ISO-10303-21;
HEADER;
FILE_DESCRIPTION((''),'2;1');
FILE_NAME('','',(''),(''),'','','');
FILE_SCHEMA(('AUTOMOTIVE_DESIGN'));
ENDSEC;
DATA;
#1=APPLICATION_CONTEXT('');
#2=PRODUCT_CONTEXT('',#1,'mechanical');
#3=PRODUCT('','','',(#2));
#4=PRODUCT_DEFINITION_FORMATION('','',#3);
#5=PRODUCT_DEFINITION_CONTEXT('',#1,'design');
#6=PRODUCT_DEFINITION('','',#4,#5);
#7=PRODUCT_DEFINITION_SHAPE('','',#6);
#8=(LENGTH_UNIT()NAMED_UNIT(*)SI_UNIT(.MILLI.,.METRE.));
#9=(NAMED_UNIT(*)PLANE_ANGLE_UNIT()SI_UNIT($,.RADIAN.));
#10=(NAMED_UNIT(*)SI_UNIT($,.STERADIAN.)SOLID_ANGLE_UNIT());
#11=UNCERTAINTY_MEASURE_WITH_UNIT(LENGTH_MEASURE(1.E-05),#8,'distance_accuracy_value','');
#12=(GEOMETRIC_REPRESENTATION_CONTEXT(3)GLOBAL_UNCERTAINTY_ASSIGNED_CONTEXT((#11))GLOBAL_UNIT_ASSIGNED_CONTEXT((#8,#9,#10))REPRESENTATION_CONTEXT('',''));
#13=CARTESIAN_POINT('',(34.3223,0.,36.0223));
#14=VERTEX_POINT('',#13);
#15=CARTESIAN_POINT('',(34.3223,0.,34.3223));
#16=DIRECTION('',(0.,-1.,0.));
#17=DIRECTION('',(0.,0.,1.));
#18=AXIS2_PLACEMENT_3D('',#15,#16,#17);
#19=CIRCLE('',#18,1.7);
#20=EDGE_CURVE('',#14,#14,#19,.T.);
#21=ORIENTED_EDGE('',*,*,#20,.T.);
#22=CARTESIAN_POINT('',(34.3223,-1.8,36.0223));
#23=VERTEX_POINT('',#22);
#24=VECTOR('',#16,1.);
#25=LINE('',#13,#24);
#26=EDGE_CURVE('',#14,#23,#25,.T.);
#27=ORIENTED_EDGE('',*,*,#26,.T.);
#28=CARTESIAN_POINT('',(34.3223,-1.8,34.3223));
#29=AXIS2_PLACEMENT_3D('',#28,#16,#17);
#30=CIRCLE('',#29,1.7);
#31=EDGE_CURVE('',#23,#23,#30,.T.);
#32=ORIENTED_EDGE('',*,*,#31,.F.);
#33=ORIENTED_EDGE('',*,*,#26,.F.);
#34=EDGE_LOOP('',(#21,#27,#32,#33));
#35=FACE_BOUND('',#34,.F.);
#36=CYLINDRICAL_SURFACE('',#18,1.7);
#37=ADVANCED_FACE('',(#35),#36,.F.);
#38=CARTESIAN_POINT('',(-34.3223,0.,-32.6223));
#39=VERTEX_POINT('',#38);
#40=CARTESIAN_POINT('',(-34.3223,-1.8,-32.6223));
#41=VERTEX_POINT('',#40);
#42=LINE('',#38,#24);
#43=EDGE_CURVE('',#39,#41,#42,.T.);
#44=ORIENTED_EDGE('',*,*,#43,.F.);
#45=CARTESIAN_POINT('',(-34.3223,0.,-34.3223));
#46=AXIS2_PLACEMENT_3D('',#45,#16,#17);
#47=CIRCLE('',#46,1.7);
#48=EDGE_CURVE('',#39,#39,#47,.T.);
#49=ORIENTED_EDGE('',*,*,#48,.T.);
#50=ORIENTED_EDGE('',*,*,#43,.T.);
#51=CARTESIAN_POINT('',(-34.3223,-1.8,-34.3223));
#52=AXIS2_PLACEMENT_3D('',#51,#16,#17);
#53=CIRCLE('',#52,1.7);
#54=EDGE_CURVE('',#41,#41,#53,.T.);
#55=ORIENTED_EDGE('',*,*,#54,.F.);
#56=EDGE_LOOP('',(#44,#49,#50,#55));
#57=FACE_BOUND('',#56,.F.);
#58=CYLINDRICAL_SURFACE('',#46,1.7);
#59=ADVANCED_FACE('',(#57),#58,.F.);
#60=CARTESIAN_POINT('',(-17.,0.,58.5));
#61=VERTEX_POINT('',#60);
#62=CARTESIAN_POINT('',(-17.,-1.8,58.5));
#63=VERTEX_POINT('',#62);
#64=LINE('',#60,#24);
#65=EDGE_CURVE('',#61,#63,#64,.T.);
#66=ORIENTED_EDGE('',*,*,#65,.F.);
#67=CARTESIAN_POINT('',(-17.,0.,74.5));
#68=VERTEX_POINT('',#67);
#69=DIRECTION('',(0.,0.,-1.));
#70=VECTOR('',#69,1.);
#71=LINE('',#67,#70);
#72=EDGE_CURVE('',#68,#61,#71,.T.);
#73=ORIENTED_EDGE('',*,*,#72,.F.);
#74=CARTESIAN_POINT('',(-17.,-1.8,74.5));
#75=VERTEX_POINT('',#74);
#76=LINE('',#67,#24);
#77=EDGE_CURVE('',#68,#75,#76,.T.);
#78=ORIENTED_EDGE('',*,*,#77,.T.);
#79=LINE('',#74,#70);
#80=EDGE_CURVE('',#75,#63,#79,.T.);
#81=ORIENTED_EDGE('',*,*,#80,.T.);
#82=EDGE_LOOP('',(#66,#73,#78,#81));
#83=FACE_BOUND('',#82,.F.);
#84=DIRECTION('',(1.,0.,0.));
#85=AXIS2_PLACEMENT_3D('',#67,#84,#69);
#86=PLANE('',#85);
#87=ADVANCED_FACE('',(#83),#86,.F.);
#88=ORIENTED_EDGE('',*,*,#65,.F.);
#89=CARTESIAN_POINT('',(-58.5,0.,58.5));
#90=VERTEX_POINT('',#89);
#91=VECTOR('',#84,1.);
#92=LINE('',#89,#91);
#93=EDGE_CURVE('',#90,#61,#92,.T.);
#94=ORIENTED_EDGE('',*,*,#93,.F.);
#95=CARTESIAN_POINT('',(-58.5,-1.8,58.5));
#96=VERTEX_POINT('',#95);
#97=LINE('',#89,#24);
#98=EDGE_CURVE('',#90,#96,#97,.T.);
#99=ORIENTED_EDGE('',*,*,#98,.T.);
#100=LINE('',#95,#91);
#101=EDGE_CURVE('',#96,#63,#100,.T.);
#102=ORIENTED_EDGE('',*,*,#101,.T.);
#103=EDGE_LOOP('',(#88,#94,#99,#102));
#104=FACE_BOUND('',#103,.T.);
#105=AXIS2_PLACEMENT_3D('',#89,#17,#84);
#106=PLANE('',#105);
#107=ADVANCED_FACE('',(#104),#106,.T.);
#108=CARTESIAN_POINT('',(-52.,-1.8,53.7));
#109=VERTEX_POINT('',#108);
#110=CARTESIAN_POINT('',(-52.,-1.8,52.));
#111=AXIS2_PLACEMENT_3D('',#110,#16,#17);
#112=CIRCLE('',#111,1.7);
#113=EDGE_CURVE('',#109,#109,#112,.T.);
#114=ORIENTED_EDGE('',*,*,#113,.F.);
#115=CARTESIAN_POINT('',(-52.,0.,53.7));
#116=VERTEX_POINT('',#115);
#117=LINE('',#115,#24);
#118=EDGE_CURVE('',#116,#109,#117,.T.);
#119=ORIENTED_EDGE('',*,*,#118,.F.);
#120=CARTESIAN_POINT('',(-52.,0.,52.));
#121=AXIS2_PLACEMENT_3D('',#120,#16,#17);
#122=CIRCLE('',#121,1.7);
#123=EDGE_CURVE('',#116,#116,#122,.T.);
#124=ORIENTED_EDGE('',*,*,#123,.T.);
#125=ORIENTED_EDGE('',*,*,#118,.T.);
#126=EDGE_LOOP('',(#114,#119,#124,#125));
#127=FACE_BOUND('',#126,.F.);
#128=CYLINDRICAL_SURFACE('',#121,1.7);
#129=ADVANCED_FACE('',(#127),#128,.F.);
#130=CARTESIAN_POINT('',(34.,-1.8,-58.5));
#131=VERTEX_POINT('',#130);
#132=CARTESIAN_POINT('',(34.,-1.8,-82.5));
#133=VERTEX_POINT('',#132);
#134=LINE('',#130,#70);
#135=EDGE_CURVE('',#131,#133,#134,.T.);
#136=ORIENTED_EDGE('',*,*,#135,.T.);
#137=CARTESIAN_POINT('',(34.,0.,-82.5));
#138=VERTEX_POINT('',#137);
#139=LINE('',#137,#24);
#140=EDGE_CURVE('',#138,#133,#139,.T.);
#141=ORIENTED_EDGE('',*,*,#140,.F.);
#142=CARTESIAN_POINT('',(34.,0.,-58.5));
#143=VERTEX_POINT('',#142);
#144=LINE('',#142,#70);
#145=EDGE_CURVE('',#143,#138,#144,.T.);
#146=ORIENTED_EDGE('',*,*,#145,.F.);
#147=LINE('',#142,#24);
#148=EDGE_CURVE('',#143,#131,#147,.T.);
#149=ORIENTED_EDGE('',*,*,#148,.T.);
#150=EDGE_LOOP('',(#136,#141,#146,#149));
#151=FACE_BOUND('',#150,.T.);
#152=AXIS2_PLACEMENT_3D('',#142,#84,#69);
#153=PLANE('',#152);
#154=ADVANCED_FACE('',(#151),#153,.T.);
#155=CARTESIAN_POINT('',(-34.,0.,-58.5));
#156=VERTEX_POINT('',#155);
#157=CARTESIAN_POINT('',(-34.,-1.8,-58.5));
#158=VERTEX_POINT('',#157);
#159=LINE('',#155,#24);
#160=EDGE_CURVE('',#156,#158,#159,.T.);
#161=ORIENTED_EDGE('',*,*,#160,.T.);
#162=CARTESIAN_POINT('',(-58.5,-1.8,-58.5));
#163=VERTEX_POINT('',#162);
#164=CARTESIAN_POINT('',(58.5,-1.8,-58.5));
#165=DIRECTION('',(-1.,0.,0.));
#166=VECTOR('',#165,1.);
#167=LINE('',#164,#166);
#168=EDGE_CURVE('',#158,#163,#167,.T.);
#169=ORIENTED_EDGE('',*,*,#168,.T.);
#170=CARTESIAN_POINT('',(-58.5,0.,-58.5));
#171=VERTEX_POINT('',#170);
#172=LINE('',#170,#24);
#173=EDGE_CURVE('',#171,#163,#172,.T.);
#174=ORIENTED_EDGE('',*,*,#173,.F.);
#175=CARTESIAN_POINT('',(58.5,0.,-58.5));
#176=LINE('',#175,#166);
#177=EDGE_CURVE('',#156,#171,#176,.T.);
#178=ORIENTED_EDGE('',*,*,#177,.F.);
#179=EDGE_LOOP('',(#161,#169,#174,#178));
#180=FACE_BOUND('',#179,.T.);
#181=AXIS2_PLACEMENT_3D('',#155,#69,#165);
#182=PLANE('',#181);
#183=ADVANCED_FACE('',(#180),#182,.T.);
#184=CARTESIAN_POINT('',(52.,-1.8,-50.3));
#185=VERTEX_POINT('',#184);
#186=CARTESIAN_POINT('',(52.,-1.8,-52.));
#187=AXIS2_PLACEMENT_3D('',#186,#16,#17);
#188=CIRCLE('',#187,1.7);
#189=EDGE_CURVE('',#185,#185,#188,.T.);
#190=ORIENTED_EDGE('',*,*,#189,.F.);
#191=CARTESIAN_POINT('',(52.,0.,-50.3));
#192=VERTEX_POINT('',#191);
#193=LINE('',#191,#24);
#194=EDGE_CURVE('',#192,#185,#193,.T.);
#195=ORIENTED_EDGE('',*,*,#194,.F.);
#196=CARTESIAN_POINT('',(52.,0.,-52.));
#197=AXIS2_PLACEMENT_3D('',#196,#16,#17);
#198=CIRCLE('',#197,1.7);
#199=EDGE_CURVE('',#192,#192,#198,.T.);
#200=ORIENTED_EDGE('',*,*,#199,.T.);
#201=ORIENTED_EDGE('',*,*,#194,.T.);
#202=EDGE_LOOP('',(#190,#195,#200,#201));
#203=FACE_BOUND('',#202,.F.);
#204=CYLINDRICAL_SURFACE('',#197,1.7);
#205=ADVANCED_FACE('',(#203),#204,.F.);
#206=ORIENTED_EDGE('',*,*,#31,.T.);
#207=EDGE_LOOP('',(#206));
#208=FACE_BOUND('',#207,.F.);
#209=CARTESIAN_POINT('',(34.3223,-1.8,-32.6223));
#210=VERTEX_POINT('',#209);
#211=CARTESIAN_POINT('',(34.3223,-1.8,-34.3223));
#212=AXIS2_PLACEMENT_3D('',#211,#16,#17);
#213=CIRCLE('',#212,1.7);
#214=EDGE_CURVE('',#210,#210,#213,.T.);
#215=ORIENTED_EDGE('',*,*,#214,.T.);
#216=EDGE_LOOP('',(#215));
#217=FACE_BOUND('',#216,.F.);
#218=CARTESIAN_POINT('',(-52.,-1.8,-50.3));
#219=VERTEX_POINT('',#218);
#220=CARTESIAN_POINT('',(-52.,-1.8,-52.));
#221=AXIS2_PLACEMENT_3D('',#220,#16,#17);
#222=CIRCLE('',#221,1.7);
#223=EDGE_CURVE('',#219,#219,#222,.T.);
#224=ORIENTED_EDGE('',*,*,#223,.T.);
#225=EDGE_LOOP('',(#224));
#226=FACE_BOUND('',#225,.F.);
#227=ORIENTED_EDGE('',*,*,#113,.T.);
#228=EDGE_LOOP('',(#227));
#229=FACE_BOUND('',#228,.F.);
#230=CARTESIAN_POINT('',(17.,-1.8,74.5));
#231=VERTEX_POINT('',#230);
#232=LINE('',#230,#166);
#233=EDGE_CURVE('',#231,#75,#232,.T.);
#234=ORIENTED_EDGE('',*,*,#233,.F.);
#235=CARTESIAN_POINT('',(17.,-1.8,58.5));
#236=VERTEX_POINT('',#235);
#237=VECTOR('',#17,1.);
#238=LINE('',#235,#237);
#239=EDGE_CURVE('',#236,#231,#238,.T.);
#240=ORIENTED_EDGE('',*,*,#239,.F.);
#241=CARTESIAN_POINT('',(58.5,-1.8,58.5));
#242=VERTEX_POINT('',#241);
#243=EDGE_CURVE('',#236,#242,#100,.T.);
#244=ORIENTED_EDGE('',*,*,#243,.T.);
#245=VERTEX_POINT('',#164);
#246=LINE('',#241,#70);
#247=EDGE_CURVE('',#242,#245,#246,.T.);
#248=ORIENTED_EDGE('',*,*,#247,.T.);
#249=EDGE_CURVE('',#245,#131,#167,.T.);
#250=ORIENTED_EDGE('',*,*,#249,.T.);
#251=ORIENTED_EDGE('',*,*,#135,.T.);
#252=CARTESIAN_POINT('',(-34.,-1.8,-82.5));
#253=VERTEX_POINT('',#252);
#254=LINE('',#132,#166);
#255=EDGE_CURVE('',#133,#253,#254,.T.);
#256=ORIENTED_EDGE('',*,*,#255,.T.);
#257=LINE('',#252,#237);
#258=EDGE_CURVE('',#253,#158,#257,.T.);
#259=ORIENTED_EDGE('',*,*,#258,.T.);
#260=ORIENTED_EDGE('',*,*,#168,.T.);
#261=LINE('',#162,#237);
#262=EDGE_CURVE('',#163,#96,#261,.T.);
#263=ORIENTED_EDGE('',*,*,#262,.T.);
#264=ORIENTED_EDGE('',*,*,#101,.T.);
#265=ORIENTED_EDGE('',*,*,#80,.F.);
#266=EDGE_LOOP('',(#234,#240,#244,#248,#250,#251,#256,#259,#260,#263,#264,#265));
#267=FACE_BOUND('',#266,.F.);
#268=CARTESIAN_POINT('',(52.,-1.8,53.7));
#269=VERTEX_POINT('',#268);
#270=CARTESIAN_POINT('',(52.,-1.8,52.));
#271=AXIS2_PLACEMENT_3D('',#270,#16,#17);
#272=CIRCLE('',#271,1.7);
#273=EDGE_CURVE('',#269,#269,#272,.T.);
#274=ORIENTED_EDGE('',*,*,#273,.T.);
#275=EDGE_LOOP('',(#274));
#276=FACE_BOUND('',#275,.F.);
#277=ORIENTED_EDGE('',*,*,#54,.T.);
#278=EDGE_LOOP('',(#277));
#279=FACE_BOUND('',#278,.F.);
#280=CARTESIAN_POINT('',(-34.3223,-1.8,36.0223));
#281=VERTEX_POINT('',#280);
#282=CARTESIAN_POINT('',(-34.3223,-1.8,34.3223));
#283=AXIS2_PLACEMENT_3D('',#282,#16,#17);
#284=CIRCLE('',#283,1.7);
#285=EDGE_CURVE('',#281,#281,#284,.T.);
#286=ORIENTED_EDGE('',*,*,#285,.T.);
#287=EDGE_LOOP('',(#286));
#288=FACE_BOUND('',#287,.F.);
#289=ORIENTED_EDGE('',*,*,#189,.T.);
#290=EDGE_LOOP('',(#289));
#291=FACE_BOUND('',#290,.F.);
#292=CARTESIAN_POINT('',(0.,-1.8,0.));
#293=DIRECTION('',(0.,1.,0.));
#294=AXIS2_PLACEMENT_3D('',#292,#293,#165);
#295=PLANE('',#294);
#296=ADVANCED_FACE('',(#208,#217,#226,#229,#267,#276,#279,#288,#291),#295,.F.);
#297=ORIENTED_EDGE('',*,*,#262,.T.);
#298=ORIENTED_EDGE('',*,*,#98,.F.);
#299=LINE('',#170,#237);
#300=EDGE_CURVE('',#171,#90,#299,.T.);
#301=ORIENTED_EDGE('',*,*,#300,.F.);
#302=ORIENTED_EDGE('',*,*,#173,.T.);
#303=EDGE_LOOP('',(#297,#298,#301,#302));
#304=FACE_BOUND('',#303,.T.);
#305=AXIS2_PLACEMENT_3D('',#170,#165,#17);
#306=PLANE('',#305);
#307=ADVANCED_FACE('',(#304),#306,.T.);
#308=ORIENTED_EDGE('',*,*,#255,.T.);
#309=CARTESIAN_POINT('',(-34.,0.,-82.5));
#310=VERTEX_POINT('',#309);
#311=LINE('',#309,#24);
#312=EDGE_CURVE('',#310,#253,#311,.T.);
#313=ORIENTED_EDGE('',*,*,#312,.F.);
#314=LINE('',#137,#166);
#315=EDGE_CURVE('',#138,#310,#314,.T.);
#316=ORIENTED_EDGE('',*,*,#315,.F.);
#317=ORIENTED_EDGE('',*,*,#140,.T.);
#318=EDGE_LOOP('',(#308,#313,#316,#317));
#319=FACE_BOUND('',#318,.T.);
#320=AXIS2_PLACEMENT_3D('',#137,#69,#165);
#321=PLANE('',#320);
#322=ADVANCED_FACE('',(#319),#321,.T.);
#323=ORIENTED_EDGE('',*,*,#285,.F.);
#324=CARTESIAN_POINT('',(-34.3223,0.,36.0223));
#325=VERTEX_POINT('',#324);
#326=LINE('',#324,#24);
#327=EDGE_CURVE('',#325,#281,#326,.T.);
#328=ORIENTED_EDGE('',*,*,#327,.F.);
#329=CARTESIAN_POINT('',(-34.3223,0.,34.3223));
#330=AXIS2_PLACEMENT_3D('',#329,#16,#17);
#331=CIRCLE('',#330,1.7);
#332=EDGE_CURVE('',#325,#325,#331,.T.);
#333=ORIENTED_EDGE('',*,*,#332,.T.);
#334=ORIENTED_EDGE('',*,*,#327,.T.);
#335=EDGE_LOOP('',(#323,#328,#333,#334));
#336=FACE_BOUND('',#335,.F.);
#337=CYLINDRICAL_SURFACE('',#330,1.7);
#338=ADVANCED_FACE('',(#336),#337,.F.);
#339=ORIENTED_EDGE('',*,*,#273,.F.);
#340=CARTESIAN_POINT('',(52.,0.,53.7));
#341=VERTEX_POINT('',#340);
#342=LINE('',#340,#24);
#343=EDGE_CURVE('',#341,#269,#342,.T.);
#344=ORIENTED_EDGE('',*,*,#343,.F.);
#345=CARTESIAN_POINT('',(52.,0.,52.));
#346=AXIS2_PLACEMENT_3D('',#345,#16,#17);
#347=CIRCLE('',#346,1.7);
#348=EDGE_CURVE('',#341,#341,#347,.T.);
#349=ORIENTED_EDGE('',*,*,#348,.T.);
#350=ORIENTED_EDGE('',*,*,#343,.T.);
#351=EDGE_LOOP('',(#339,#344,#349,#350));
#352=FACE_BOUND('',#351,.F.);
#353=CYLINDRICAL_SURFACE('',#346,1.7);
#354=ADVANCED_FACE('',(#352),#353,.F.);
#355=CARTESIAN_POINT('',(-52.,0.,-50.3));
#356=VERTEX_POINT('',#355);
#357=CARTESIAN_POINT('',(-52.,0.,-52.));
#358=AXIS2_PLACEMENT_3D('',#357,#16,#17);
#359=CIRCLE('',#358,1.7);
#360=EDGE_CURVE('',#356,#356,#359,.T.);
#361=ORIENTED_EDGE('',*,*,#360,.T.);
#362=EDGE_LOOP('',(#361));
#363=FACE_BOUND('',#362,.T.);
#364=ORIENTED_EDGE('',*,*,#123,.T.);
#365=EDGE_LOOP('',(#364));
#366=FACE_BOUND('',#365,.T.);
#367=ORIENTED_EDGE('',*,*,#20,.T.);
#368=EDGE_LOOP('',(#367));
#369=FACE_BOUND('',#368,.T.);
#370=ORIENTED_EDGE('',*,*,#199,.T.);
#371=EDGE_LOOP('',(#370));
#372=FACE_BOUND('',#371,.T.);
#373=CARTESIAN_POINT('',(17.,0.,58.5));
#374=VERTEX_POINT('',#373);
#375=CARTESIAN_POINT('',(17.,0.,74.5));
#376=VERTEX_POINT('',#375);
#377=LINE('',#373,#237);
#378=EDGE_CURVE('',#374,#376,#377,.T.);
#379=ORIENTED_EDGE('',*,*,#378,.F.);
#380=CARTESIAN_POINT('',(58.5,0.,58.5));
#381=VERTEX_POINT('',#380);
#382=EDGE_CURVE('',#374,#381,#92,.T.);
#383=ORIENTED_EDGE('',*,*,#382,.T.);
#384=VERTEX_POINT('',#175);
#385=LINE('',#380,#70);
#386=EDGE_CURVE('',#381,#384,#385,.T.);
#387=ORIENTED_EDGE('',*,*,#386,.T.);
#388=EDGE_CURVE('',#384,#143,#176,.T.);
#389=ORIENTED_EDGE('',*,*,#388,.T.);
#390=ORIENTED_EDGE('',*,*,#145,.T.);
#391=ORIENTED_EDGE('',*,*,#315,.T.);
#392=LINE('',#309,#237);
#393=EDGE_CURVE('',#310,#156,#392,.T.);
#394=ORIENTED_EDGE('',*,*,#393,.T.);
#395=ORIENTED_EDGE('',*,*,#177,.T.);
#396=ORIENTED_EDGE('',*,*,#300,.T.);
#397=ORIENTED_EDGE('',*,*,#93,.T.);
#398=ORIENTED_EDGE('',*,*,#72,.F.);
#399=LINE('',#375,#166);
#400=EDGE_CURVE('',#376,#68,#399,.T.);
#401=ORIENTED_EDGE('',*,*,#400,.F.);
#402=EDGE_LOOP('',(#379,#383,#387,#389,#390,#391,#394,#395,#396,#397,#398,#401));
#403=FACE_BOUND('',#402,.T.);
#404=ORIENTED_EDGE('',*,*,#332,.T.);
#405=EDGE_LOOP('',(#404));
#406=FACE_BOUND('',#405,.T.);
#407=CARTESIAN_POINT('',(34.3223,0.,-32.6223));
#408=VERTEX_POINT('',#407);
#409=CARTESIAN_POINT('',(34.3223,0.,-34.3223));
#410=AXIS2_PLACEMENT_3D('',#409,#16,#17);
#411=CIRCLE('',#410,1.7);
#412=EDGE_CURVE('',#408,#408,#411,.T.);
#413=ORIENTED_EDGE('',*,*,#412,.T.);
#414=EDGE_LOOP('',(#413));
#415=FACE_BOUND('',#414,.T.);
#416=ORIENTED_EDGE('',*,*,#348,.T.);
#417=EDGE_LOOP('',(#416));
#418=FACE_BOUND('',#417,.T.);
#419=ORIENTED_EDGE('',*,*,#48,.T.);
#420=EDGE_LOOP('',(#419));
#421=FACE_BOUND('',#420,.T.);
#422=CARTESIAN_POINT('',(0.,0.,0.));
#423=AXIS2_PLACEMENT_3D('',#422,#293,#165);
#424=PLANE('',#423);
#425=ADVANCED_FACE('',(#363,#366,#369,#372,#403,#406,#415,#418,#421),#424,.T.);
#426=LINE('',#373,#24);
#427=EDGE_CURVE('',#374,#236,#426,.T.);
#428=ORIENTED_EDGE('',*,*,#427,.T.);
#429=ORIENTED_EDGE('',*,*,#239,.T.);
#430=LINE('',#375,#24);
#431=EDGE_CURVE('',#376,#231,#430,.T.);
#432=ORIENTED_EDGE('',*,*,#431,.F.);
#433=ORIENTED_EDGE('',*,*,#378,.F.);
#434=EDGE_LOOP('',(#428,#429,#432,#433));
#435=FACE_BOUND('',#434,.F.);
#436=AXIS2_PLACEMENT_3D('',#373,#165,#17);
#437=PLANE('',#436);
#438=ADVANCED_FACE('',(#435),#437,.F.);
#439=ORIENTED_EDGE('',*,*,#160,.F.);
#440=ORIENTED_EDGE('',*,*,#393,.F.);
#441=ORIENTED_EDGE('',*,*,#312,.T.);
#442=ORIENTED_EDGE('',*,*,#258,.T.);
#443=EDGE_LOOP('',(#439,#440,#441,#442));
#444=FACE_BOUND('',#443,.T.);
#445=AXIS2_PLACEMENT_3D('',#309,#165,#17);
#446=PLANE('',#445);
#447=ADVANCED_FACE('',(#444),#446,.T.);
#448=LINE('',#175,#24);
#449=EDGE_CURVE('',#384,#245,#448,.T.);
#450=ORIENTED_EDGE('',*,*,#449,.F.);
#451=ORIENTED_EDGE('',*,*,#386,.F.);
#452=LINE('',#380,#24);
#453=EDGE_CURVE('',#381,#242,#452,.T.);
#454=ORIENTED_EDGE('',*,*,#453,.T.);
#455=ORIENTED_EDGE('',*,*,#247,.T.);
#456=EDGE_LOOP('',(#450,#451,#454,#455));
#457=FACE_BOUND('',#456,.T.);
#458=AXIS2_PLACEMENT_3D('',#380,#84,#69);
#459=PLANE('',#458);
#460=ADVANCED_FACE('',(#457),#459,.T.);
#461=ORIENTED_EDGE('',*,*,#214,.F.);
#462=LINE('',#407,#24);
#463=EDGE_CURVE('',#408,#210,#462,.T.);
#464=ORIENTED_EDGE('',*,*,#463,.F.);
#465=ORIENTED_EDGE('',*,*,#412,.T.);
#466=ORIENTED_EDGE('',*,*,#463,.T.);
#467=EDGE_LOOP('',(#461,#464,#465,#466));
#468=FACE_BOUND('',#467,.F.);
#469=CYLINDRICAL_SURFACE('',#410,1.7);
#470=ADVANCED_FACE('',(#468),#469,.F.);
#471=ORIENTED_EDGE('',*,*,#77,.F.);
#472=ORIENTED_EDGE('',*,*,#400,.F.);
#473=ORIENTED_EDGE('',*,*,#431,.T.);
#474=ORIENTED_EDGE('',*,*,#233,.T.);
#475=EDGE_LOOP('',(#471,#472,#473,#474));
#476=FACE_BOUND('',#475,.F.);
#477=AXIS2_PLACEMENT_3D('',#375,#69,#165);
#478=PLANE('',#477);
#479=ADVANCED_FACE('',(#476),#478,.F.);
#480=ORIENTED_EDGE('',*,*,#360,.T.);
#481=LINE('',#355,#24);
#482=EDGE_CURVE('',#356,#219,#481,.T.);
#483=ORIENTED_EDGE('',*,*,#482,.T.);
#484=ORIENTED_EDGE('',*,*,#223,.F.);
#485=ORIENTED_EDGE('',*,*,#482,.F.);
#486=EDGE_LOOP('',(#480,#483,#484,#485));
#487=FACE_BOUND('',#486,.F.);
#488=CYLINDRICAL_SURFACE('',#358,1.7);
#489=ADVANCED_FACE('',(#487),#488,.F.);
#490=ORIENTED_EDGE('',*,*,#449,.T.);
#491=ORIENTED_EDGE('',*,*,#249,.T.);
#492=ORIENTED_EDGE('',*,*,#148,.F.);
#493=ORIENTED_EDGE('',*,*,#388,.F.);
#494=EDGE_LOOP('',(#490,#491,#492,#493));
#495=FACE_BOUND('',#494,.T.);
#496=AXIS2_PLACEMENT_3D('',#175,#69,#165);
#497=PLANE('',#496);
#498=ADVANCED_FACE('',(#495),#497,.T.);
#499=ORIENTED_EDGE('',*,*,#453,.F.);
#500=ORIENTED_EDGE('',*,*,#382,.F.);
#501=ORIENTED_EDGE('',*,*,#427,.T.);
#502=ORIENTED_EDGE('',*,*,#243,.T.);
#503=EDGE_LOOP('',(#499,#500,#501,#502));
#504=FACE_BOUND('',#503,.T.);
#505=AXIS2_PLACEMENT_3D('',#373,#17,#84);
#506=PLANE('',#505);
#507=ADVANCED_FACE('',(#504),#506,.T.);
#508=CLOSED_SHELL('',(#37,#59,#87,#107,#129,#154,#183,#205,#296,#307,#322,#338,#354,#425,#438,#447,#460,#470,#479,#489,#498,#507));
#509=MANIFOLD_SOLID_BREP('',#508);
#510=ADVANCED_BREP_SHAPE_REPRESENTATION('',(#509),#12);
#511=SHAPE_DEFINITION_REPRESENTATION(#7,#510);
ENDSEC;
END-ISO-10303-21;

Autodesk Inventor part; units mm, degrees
ref_plane "YZ Plane" through (0, 0, 0) normal (1, 0, 0) x (0, 1, 0)
ref_plane "XZ Plane" through (0, 0, 0) normal (0, 1, 0) x (-1, 0, 0)
ref_plane "XY Plane" through (0, 0, 0) normal (0, 0, 1) x (1, 0, 0)
sketch "Boceto4" plane through (0, 0, 0) normal (0, 1, 0) x (-1, 0, 0)
  line L0 (-58.5, -58.5) -> (58.5, -58.5)
  line L1 (58.5, -58.5) -> (58.5, 58.5)
  line L2 (58.5, 58.5) -> (-58.5, 58.5)
  line L3 (-58.5, 58.5) -> (-58.5, -58.5)
  line L4 (-58.5, -58.5) -> (58.5, 58.5) construction
  line L5 (58.5, -58.5) -> (-58.5, 58.5) construction
  line L6 (-52, 52) -> (52, 52) construction
  line L7 (52, 52) -> (52, -52) construction
  line L8 (52, -52) -> (-52, -52) construction
  line L9 (-52, -52) -> (-52, 52) construction
  line L10 (-52, 52) -> (52, -52) construction
  line L11 (52, 52) -> (-52, -52) construction
  line L12 (-34.3223, -34.3223) -> (34.3223, -34.3223) construction
  line L13 (34.3223, -34.3223) -> (34.3223, 34.3223) construction
  line L14 (34.3223, 34.3223) -> (-34.3223, 34.3223) construction
  line L15 (-34.3223, 34.3223) -> (-34.3223, -34.3223) construction
  line L16 (-34.3223, -34.3223) -> (34.3223, 34.3223) construction
  line L17 (34.3223, -34.3223) -> (-34.3223, 34.3223) construction
  line L18 (0, -58.5) -> (0, -82.5) construction
  line L19 (34, -58.5) -> (-34, -58.5)
  line L20 (-34, -58.5) -> (-34, -82.5)
  line L21 (-34, -82.5) -> (34, -82.5)
  line L22 (34, -82.5) -> (34, -58.5)
  line L23 (34, -58.5) -> (-34, -82.5) construction
  line L24 (-34, -58.5) -> (34, -82.5) construction
  line L25 (0, 58.5) -> (0, 74.5) construction
  line L26 (17, 58.5) -> (-17, 58.5)
  line L27 (-17, 58.5) -> (-17, 74.5)
  line L28 (-17, 74.5) -> (17, 74.5)
  line L29 (17, 74.5) -> (17, 58.5)
  line L30 (17, 58.5) -> (-17, 74.5) construction
  line L31 (-17, 58.5) -> (17, 74.5) construction
  point P0 (0, 0)
  point P1 (0, -70.5)
  point P2 (0, 66.5)
  dimension "d35" = 117
  dimension "d36" = 117
  dimension "d37" = 104
  dimension "d38" = 104
  dimension "d39" = 25
  dimension "d49" = 24
  dimension "d50" = 68
  dimension "d51" = 16
  dimension "d52" = 34
extrude "Extrusión3" add sketch "Boceto4" against normal blind 1.8
hole "Agujero2" at (-52, 0, -52) at (52, 0, -52) at (34.3223, 0, -34.3223) at (-34.3223, 0, -34.3223) at (-52, 0, 52) at (-34.3223, 0, 34.3223) at (52, 0, 52) at (34.3223, 0, 34.3223) direction (0, -1, 0) diameter 3.4 end through all clearance for "Tornillo para maquinaria de cabeza plana" size "M3" standard "Perfil M métrico ANSI"
properties part number "swtc2" material "Polímero reforzado con fibra de carbono"
